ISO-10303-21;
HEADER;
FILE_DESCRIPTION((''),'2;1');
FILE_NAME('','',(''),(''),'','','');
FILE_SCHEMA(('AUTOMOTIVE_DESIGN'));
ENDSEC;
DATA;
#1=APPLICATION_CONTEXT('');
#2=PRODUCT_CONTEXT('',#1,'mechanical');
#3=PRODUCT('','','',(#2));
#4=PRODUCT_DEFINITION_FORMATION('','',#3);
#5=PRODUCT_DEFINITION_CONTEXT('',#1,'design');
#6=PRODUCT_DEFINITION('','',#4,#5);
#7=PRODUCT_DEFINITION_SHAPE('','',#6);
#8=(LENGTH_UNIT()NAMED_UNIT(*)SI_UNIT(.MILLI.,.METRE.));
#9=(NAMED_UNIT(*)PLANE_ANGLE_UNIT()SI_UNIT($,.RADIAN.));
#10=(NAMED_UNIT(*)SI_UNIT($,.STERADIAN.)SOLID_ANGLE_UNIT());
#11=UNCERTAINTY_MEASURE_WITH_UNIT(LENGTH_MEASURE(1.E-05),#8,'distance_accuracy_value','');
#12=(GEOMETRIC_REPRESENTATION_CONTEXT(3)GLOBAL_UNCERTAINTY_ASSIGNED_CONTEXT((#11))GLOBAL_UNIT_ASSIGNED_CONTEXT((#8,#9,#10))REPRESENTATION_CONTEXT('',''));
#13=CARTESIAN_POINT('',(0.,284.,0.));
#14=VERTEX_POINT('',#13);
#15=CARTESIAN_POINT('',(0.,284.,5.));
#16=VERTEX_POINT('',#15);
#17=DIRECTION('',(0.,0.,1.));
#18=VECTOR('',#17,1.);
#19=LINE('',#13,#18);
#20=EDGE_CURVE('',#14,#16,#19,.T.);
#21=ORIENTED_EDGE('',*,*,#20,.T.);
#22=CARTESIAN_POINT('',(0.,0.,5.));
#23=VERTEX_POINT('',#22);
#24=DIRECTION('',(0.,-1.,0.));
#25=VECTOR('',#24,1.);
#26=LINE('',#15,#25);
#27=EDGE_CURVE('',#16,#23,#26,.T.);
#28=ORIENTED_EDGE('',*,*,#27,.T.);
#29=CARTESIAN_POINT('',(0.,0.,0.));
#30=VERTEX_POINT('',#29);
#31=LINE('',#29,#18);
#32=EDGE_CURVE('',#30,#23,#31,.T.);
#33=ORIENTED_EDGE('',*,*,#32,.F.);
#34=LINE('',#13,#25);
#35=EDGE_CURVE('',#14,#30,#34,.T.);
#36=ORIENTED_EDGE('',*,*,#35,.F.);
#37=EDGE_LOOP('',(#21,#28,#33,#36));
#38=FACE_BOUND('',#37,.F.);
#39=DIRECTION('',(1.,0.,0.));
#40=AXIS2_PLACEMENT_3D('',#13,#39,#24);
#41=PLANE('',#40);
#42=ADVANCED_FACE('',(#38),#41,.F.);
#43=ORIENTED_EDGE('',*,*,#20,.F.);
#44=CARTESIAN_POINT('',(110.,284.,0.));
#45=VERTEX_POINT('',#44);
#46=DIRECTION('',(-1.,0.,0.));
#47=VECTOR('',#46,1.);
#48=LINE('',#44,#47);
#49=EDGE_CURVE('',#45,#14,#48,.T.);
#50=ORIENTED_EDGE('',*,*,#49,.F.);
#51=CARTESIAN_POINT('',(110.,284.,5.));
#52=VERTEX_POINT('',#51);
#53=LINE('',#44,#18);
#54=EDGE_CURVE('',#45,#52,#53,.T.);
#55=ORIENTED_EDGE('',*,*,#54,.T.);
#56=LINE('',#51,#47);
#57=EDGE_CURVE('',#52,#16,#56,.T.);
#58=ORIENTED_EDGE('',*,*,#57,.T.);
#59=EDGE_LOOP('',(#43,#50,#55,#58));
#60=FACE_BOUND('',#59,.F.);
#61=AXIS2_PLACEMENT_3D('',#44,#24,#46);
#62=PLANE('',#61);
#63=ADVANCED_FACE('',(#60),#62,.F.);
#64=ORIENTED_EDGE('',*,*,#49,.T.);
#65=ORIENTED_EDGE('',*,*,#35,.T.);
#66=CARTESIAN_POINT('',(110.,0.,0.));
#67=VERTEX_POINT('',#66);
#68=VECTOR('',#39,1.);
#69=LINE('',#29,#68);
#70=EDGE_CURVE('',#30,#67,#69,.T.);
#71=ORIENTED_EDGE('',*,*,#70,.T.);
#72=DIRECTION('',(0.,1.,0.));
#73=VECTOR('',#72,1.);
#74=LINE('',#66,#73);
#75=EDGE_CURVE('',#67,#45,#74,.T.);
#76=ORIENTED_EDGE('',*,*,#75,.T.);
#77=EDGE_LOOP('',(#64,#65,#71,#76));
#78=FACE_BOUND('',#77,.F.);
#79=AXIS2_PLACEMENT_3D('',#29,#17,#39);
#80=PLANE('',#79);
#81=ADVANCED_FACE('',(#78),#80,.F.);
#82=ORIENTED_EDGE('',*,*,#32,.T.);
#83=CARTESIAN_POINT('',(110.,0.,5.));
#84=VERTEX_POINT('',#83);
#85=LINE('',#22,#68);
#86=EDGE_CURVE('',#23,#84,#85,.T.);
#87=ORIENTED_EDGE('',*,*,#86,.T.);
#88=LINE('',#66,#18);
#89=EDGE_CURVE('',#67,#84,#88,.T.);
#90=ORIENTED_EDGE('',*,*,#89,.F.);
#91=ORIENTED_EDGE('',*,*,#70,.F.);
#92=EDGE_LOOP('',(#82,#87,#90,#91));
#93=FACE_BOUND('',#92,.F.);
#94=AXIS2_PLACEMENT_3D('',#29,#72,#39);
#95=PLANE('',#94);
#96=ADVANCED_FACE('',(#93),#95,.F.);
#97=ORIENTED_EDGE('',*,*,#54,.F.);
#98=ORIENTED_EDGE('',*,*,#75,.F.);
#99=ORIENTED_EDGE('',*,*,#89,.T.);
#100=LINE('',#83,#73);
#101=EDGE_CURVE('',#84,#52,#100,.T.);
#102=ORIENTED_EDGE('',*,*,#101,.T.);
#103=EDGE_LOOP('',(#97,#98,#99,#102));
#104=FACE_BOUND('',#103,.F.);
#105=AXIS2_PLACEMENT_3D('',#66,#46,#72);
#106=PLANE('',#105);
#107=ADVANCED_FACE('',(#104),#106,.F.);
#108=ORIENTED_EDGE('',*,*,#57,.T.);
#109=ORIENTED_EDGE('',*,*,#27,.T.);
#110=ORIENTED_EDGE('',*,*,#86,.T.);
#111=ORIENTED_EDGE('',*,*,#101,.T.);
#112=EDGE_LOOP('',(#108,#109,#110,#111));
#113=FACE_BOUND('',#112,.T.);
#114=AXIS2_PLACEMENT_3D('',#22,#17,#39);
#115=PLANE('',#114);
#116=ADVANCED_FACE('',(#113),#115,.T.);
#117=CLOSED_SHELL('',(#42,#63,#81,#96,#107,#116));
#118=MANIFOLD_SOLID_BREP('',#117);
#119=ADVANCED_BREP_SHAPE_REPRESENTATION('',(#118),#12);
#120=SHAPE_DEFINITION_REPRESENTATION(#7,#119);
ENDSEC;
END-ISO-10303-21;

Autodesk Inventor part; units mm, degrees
ref_plane "YZ Plane" through (0, 0, 0) normal (1, 0, 0) x (0, 1, 0)
ref_plane "XZ Plane" through (0, 0, 0) normal (0, 1, 0) x (-1, 0, 0)
ref_plane "XY Plane" through (0, 0, 0) normal (0, 0, 1) x (1, 0, 0)
sketch "Sketch1" plane through (0, 0, 0) normal (0, 0, 1) x (1, 0, 0)
  line L0 (0, 0) -> (110, 0)
  line L1 (110, 0) -> (110, 284)
  line L2 (110, 284) -> (0, 284)
  line L3 (0, 284) -> (0, 0)
  dimension "d0" = 110
  dimension "d1" = 284
extrude "Extrusion1" add sketch "Sketch1" along normal blind 5
sketch "Sketch2" plane through (0, 0, 5) normal (0, 0, 1) x (1, 0, 0)
  line L0 (57.5, 202) -> (57.5, 82) projected
  line L1 (52.5, 202) -> (52.5, 82) projected
  line L2 (52.5, 82) -> (57.5, 82) projected
  line L3 (52.5, 202) -> (57.5, 202) projected
  point P0 (0, 0)
equation "\"d0\" = tankw + 2 * pvct"
equation "\"d1\" = pvct + tankl - sensorsupportl"
equation "\"d2\" = pvct"
equation "\"lcsd\" = 19.05"
equation "\"lcwd1\" = 25"
equation "\"lcwd2\" = 34"
equation "\"lch1\" = 39"
equation "\"lcwd3\" = 43"
equation "\"dia1\" = 6"
equation "\"td\" = 18"
equation "\"bhh\" = 6"
equation "\"sw\" = 25"
equation "\"sh\" = 31"
equation "\"spacert\" = 2"
equation "\"pvct\" = 5"
equation "\"tankl\" = 379"
equation "\"dia4\" = 11"
equation "\"dia3\" = 8"
equation "\"play\" = 9"
equation "\"holeh\" = 26"
equation "\"slack\" = 0.5"
equation "\"surroundt\" = 5"
equation "\"play2\" = 3"
equation "\"diaair\" = 32"
equation "\"diaph\" = 32"
equation "\"diawater\" = 25"
equation "\"diacucl\" = 32"
equation "\"diahcl\" = 32"
equation "\"diaoverflow\" = 25"
equation "\"diasurroundhole\" = 42"
equation "\"bracketwbottom\" = 6"
equation "\"sensorsupportl\" = 100"
equation "\"diagrate\" = 12"
equation "\"gratespacing\" = 12.02082"
equation "\"bottomdist\" = 9.6355"
equation "\"sidedist\" = 13.9375"
equation "\"nett\" = 1"
equation "\"nethole\" = 16"
equation "\"netside\" = 3.5"
equation "\"nettop\" = 7"
equation "\"netholespacing\" = 2"
equation "\"diaetape\" = 32"
equation "\"tankw\" = 100"
properties part number "tank_lid_main" material "PVC-Piping"
